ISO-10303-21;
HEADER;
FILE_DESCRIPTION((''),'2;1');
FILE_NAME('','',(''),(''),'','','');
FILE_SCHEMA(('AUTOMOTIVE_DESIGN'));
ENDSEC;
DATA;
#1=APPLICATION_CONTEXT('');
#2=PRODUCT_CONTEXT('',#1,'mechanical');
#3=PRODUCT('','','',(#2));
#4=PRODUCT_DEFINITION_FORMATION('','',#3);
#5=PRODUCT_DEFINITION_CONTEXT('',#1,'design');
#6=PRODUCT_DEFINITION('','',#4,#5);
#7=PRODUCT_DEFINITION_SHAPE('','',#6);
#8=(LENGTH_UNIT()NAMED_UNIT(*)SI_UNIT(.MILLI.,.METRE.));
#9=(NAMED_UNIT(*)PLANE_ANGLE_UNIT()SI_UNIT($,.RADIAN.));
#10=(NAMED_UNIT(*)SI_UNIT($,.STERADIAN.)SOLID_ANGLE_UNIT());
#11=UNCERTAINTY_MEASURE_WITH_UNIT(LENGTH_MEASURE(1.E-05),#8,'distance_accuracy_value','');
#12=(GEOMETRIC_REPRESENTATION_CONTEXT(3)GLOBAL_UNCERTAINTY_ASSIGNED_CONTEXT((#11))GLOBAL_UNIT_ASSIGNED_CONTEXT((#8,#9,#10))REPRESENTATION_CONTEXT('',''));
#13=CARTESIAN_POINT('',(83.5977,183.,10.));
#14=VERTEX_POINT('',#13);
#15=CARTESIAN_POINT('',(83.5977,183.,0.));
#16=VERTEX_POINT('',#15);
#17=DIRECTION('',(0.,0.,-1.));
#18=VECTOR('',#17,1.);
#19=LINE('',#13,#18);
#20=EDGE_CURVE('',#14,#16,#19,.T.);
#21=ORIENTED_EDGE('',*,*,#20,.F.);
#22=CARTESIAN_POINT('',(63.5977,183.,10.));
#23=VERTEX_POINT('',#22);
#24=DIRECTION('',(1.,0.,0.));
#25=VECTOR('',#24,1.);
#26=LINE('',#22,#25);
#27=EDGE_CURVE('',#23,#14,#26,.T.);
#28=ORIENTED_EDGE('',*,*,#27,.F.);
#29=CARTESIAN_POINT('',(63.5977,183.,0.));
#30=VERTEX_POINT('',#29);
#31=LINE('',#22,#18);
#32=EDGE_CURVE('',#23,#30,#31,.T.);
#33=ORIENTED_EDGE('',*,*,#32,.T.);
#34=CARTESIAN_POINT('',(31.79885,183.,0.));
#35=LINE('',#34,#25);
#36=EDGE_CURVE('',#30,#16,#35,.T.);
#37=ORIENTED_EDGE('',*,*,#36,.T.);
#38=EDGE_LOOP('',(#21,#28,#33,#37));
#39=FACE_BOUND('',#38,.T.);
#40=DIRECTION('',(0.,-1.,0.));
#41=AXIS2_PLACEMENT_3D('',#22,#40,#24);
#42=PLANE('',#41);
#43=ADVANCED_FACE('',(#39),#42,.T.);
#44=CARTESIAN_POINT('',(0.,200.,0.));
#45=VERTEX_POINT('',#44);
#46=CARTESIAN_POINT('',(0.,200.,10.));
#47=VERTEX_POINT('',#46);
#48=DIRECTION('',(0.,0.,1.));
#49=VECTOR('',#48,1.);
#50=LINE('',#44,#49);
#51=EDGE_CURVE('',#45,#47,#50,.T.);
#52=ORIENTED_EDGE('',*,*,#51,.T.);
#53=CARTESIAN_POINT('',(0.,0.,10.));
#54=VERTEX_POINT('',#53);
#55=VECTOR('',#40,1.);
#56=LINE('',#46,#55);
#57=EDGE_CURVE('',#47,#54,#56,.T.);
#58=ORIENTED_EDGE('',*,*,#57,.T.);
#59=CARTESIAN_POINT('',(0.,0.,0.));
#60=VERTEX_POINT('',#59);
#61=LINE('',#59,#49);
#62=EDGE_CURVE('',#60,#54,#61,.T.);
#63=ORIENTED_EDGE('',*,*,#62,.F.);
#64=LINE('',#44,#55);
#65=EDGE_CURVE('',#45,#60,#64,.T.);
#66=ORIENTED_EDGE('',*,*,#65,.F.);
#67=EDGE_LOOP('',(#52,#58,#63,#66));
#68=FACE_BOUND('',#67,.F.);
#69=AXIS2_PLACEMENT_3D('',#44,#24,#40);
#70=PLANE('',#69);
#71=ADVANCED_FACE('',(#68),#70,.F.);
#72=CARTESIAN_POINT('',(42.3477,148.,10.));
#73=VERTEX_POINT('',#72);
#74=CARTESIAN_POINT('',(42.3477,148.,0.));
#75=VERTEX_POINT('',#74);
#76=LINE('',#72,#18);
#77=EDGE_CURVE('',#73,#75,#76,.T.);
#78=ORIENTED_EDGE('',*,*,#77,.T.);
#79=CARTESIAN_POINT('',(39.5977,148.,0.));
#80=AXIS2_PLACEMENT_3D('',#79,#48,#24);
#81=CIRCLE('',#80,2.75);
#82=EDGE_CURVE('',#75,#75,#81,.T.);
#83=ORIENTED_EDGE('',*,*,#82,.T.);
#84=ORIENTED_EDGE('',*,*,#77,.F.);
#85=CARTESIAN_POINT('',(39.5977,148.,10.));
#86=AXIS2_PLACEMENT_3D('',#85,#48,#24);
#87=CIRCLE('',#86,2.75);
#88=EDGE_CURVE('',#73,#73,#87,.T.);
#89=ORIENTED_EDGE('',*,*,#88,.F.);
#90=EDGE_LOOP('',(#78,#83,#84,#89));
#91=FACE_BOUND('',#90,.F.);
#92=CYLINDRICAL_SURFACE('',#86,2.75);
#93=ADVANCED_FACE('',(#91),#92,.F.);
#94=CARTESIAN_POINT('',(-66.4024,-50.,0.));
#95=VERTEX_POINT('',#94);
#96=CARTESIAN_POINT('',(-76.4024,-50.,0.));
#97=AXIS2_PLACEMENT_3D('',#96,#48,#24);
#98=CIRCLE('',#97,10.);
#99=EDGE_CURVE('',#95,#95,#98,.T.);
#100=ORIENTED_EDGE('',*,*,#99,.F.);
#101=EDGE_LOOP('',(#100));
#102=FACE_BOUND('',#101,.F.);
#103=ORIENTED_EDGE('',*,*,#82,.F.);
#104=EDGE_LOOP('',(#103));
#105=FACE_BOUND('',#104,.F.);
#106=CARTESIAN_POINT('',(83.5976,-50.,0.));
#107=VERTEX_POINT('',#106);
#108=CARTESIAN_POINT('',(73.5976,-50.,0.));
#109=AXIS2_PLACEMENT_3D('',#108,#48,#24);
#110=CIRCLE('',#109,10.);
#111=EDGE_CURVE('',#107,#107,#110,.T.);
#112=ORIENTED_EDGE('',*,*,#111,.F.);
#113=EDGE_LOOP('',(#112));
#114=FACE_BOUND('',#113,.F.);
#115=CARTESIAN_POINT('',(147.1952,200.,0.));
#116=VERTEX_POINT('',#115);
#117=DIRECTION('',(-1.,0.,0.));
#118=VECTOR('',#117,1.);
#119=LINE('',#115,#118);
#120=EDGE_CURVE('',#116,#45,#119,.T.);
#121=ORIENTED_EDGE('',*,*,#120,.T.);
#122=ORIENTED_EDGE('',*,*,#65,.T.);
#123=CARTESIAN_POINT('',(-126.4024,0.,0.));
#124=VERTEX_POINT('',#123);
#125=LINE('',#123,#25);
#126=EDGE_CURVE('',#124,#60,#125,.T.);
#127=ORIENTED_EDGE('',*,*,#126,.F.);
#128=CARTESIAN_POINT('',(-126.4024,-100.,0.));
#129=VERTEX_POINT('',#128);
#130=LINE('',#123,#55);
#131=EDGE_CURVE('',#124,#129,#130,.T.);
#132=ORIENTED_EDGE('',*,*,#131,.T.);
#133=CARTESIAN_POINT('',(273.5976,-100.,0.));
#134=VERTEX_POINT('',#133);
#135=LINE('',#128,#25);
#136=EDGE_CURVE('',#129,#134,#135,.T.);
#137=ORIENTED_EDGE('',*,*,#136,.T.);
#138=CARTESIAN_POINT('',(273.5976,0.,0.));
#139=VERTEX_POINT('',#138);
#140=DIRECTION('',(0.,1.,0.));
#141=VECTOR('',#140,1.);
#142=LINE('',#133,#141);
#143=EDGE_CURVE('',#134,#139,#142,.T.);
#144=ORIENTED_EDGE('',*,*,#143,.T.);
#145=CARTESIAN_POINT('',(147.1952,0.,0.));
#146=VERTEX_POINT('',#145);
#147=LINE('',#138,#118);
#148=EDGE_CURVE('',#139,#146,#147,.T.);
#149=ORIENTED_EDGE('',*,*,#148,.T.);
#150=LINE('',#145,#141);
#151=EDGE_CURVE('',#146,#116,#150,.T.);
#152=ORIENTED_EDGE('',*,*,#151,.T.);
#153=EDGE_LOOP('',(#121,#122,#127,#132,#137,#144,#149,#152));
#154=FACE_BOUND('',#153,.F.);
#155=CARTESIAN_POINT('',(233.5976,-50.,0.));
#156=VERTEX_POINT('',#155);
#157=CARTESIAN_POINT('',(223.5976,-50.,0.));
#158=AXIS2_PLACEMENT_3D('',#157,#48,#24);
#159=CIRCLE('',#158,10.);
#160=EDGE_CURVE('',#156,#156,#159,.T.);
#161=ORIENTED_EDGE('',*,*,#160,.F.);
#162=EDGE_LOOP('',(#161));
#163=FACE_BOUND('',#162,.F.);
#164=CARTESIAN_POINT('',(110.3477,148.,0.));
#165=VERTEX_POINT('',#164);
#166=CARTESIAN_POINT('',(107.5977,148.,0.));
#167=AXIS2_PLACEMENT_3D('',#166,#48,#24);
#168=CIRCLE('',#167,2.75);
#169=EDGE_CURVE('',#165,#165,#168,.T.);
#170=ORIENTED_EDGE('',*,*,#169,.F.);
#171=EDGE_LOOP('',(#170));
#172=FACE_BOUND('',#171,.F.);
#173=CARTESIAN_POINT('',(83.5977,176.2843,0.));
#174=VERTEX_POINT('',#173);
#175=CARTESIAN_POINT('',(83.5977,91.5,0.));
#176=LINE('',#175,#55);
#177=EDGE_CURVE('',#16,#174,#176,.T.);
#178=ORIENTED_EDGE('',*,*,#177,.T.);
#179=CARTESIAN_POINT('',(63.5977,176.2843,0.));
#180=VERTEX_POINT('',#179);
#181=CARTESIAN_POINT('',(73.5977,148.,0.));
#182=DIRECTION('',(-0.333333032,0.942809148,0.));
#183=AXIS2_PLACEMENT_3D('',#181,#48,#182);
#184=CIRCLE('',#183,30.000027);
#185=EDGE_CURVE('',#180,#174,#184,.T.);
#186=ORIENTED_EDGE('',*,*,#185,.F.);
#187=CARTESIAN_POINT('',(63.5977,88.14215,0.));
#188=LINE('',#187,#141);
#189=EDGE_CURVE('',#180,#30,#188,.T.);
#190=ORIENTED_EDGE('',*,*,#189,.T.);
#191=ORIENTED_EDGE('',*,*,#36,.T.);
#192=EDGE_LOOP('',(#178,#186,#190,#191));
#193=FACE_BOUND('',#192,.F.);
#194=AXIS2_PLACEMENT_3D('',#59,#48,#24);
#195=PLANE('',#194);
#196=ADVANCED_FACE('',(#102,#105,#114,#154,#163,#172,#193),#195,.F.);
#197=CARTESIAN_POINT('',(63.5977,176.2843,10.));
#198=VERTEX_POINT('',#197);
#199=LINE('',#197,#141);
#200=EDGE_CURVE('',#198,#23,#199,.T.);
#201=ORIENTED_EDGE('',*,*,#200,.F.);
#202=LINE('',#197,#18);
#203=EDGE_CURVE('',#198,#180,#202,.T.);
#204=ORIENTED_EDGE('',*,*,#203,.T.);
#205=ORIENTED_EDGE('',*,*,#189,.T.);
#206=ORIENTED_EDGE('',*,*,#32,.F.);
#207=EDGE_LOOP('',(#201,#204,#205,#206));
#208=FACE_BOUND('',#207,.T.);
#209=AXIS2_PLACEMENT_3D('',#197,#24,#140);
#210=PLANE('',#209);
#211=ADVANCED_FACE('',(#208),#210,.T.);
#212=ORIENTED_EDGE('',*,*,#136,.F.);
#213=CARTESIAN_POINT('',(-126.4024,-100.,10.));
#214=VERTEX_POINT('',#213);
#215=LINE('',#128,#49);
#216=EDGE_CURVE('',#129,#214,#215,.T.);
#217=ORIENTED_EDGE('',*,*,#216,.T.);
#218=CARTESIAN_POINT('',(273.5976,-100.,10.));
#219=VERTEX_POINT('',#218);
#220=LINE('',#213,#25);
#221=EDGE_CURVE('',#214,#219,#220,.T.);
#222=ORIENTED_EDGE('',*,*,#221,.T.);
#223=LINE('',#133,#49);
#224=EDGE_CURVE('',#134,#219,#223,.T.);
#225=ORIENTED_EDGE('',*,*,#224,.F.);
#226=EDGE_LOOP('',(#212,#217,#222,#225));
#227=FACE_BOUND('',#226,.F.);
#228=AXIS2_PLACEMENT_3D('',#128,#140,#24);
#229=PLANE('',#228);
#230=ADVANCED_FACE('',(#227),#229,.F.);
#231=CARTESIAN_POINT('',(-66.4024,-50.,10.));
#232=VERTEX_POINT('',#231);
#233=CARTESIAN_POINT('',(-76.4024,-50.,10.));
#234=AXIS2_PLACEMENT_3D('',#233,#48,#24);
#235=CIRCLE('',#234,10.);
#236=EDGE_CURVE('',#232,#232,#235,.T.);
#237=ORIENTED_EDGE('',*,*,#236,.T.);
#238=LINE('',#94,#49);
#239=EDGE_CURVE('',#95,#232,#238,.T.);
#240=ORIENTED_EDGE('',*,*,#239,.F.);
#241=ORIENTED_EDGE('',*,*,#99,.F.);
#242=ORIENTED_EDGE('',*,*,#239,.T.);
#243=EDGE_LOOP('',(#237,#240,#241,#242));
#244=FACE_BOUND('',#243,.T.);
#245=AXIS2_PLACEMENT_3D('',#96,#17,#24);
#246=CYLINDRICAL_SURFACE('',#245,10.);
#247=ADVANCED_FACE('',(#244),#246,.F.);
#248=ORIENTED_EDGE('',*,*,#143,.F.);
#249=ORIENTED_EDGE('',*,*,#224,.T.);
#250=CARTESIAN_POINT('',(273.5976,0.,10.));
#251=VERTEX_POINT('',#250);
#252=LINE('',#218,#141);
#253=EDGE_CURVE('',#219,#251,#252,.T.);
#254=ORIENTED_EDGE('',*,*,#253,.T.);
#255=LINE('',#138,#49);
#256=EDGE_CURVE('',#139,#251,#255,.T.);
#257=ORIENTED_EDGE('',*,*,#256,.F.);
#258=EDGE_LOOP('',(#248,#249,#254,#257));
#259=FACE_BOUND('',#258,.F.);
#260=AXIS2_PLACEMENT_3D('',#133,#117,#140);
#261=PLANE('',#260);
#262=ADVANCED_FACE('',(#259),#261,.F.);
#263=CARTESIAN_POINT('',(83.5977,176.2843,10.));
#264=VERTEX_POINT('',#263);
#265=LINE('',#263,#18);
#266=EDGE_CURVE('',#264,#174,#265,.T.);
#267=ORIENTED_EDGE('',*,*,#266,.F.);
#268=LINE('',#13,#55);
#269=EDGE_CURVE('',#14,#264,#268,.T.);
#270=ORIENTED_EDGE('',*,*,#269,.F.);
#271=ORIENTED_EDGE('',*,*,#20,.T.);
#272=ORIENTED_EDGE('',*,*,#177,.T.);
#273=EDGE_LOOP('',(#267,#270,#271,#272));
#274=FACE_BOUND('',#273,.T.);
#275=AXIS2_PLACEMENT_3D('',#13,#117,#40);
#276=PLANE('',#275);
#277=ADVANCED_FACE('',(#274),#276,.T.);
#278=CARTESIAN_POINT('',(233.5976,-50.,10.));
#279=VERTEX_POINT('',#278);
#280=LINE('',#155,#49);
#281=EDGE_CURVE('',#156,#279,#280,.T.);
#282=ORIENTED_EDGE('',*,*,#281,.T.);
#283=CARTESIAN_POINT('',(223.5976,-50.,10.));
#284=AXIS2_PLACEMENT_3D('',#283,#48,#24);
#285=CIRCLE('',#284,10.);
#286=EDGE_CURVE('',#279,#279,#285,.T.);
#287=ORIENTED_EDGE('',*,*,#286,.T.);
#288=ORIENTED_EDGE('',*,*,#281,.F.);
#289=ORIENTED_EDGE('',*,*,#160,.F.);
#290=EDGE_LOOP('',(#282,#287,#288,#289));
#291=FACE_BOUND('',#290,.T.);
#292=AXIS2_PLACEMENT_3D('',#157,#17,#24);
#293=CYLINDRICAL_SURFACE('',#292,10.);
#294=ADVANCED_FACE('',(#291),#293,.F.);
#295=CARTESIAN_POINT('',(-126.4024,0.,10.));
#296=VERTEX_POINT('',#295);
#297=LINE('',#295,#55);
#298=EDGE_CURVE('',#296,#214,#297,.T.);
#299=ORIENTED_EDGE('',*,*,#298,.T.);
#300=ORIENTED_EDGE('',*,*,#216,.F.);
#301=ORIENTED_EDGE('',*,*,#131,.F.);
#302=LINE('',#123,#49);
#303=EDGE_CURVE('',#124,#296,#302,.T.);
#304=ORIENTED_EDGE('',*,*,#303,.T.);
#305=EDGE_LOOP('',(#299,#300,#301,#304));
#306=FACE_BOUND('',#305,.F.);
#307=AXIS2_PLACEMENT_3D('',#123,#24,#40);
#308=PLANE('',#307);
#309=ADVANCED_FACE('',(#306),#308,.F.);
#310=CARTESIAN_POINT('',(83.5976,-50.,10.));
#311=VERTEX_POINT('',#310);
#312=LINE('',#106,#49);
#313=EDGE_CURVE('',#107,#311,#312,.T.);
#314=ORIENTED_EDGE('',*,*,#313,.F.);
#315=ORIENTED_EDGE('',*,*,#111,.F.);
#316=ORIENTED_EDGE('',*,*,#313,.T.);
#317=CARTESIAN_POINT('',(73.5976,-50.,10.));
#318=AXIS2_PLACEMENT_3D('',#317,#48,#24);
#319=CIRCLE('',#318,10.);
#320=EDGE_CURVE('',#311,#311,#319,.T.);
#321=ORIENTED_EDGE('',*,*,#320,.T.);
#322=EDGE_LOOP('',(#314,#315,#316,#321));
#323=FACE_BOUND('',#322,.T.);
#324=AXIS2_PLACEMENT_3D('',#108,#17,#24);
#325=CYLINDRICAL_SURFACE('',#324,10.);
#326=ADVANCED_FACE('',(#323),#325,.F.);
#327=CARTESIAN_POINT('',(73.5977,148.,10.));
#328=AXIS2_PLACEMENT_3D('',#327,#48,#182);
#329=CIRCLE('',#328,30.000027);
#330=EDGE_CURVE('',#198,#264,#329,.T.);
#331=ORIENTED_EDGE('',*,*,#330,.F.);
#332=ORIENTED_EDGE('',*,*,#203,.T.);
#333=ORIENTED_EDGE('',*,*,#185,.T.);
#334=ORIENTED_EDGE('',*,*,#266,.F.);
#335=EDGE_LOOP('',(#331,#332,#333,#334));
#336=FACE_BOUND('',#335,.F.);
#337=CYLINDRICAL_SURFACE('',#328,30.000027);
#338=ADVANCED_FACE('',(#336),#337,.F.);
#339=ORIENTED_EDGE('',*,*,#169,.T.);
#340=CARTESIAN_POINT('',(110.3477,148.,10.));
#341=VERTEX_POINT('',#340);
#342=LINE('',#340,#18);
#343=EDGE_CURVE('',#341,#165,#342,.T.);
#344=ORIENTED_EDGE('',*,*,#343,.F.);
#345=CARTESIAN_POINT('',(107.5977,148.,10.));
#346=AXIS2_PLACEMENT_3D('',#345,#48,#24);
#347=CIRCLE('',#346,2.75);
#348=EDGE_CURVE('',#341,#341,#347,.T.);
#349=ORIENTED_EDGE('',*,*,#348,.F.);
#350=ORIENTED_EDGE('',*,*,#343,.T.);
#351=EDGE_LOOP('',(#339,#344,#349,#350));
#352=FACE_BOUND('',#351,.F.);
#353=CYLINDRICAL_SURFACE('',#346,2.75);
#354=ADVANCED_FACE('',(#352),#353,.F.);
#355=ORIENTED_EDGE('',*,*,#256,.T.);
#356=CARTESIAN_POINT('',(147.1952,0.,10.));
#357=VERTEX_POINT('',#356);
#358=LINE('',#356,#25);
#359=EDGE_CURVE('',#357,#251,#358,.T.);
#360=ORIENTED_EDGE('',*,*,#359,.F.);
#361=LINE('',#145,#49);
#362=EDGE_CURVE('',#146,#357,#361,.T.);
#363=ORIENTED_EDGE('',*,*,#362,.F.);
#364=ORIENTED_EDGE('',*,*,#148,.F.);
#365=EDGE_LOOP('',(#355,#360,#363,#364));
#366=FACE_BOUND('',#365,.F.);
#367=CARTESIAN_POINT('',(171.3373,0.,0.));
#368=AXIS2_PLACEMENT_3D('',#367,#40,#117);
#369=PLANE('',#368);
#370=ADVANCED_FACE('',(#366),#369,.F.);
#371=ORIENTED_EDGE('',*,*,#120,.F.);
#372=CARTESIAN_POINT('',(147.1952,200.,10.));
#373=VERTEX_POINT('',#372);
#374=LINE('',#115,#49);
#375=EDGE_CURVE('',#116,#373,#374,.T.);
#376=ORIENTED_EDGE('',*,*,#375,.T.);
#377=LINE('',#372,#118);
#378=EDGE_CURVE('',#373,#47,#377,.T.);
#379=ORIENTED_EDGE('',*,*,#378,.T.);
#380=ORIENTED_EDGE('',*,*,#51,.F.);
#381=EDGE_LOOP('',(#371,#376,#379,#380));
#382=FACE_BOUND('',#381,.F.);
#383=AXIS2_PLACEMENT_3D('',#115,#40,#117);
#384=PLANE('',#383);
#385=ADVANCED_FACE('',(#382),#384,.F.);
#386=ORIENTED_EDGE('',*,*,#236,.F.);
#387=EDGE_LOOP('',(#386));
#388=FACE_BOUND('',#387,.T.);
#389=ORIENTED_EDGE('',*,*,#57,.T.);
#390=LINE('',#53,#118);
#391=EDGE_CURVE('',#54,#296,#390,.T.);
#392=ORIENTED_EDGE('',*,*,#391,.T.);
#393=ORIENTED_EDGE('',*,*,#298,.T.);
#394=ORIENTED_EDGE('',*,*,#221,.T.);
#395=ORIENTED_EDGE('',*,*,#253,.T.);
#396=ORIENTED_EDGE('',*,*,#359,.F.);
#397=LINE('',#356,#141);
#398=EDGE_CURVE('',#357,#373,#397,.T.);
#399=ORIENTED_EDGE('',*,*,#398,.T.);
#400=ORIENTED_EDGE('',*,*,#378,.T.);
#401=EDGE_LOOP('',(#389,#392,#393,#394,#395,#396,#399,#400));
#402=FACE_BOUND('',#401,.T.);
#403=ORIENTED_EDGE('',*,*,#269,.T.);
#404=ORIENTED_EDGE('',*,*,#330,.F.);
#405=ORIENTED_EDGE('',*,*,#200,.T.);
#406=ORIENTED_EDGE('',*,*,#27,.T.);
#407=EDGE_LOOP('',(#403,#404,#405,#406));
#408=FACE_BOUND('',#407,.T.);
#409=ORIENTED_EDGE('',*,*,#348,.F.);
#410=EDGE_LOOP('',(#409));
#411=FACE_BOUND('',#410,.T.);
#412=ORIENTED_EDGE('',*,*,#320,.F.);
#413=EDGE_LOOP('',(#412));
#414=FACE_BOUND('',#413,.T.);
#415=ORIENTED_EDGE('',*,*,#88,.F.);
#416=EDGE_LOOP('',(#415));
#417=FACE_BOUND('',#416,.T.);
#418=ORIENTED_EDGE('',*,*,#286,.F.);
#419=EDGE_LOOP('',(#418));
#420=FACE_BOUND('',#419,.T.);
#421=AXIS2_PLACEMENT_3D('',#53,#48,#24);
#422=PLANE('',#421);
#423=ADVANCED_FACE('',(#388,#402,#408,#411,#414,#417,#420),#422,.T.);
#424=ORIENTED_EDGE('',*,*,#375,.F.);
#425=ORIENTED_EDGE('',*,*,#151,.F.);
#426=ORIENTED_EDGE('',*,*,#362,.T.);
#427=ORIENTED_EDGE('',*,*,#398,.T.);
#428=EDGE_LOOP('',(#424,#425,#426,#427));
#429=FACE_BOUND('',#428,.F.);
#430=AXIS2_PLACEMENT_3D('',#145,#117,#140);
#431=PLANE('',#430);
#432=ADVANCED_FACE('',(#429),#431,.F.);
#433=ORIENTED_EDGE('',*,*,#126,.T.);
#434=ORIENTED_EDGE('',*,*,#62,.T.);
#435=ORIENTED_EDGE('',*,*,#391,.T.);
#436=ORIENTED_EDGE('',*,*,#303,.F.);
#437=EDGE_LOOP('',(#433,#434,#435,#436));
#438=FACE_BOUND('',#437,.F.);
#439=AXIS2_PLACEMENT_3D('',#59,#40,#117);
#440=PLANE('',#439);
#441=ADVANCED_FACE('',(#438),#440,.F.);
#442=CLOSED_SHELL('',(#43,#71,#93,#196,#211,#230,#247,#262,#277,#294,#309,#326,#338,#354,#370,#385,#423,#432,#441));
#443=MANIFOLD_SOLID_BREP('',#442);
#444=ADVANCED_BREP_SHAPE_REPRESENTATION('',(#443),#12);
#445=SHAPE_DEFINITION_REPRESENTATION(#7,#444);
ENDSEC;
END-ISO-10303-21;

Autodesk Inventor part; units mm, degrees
ref_plane "YZ Plane" through (0, 0, 0) normal (1, 0, 0) x (0, 1, 0)
ref_plane "XZ Plane" through (0, 0, 0) normal (0, 1, 0) x (-1, 0, 0)
ref_plane "XY Plane" through (0, 0, 0) normal (0, 0, 1) x (1, 0, 0)
sketch "Skizze1" plane through (0, 0, 0) normal (0, 0, 1) x (1, 0, 0)
  line L0 (147.1952, 0) -> (147.1952, 200)
  line L1 (147.1952, 200) -> (0, 200)
  line L2 (0, 200) -> (0, 0)
  line L3 (0, 0) -> (-24.1421, 0)
  line L4 (-24.1421, 0) -> (-126.4024, 0)
  line L5 (-126.4024, 0) -> (-126.4024, -100)
  line L6 (-126.4024, -100) -> (273.5976, -100)
  line L7 (273.5976, -100) -> (273.5976, 0)
  line L8 (273.5976, 0) -> (171.3373, 0)
  line L9 (171.3373, 0) -> (147.1952, 0)
  circle A0 centre (223.5976, -50) radius 10
  circle A1 centre (-76.4024, -50) radius 10
  circle A2 centre (73.5976, -50) radius 10
  dimension "d34" = 20
  dimension "d35" = 90
  dimension "d36" = 90
  dimension "d37" = 90
  dimension "d38" = 126.4024
  dimension "d39" = 273.5976
  dimension "d40" = 400
  dimension "d41" = 200
  dimension "d42" = 100
  dimension "d43" = 0
  dimension "d44" = 0
  dimension "d45" = 0
  dimension "d46" = 0
  dimension "d47" = 0
  dimension "d48" = 100
  dimension "d49" = 0
  dimension "d50" = 50
  dimension "d51" = 50
  dimension "d52" = 102.2603
  dimension "d53" = 102.2603
  dimension "d54" = 200
  dimension "d55" = 126.4024
  dimension "d56" = 0
  dimension "d57" = 126.4024
  dimension "d58" = 200
  dimension "d59" = 50
  dimension "d60" = 200
  dimension "d61" = 273.5976
  dimension "d62" = 0
  dimension "d63" = 273.5976
  dimension "d64" = 297.7397
  dimension "d65" = 297.7397
  dimension "d66" = 350
  dimension "d67" = 50
  dimension "d68" = 0
  dimension "d69" = 400
  dimension "d70" = 100
  dimension "d71" = 400
extrude "Extrusion1" add sketch "Skizze1" along normal blind 10
sketch "Skizze2" plane through (0, 0, 10) normal (0, 0, 1) x (1, 0, 0)
  arc A0 (63.5977, 176.2843) -> (83.5977, 176.2843) centre (73.5977, 148) ccw
  line L0 (147.1952, 200) -> (0, 200) projected
  line L1 (147.1952, 0) -> (147.1952, 200) projected
  line L2 (63.5977, 183) -> (83.5977, 183)
  line L3 (83.5977, 183) -> (83.5977, 176.2843)
  line L4 (63.5977, 176.2843) -> (63.5977, 183)
  circle A1 centre (39.5977, 148) radius 2.75
  circle A2 centre (107.5977, 148) radius 2.75
  point P0 (0, 0)
  dimension "d72" = 60
  dimension "d73" = 52
  dimension "d74" = 73.5975
  dimension "d75" = 35
  dimension "d76" = 20
  dimension "d77" = 83.5975
  dimension "d78" = 5.5
  dimension "d79" = 5.5
  dimension "d80" = 52
  dimension "d81" = 68
  dimension "d82" = 0
  dimension "d83" = 39.5975
extrude "Extrusion2" cut sketch "Skizze2" against normal through all
properties part number "InnenUnten"
